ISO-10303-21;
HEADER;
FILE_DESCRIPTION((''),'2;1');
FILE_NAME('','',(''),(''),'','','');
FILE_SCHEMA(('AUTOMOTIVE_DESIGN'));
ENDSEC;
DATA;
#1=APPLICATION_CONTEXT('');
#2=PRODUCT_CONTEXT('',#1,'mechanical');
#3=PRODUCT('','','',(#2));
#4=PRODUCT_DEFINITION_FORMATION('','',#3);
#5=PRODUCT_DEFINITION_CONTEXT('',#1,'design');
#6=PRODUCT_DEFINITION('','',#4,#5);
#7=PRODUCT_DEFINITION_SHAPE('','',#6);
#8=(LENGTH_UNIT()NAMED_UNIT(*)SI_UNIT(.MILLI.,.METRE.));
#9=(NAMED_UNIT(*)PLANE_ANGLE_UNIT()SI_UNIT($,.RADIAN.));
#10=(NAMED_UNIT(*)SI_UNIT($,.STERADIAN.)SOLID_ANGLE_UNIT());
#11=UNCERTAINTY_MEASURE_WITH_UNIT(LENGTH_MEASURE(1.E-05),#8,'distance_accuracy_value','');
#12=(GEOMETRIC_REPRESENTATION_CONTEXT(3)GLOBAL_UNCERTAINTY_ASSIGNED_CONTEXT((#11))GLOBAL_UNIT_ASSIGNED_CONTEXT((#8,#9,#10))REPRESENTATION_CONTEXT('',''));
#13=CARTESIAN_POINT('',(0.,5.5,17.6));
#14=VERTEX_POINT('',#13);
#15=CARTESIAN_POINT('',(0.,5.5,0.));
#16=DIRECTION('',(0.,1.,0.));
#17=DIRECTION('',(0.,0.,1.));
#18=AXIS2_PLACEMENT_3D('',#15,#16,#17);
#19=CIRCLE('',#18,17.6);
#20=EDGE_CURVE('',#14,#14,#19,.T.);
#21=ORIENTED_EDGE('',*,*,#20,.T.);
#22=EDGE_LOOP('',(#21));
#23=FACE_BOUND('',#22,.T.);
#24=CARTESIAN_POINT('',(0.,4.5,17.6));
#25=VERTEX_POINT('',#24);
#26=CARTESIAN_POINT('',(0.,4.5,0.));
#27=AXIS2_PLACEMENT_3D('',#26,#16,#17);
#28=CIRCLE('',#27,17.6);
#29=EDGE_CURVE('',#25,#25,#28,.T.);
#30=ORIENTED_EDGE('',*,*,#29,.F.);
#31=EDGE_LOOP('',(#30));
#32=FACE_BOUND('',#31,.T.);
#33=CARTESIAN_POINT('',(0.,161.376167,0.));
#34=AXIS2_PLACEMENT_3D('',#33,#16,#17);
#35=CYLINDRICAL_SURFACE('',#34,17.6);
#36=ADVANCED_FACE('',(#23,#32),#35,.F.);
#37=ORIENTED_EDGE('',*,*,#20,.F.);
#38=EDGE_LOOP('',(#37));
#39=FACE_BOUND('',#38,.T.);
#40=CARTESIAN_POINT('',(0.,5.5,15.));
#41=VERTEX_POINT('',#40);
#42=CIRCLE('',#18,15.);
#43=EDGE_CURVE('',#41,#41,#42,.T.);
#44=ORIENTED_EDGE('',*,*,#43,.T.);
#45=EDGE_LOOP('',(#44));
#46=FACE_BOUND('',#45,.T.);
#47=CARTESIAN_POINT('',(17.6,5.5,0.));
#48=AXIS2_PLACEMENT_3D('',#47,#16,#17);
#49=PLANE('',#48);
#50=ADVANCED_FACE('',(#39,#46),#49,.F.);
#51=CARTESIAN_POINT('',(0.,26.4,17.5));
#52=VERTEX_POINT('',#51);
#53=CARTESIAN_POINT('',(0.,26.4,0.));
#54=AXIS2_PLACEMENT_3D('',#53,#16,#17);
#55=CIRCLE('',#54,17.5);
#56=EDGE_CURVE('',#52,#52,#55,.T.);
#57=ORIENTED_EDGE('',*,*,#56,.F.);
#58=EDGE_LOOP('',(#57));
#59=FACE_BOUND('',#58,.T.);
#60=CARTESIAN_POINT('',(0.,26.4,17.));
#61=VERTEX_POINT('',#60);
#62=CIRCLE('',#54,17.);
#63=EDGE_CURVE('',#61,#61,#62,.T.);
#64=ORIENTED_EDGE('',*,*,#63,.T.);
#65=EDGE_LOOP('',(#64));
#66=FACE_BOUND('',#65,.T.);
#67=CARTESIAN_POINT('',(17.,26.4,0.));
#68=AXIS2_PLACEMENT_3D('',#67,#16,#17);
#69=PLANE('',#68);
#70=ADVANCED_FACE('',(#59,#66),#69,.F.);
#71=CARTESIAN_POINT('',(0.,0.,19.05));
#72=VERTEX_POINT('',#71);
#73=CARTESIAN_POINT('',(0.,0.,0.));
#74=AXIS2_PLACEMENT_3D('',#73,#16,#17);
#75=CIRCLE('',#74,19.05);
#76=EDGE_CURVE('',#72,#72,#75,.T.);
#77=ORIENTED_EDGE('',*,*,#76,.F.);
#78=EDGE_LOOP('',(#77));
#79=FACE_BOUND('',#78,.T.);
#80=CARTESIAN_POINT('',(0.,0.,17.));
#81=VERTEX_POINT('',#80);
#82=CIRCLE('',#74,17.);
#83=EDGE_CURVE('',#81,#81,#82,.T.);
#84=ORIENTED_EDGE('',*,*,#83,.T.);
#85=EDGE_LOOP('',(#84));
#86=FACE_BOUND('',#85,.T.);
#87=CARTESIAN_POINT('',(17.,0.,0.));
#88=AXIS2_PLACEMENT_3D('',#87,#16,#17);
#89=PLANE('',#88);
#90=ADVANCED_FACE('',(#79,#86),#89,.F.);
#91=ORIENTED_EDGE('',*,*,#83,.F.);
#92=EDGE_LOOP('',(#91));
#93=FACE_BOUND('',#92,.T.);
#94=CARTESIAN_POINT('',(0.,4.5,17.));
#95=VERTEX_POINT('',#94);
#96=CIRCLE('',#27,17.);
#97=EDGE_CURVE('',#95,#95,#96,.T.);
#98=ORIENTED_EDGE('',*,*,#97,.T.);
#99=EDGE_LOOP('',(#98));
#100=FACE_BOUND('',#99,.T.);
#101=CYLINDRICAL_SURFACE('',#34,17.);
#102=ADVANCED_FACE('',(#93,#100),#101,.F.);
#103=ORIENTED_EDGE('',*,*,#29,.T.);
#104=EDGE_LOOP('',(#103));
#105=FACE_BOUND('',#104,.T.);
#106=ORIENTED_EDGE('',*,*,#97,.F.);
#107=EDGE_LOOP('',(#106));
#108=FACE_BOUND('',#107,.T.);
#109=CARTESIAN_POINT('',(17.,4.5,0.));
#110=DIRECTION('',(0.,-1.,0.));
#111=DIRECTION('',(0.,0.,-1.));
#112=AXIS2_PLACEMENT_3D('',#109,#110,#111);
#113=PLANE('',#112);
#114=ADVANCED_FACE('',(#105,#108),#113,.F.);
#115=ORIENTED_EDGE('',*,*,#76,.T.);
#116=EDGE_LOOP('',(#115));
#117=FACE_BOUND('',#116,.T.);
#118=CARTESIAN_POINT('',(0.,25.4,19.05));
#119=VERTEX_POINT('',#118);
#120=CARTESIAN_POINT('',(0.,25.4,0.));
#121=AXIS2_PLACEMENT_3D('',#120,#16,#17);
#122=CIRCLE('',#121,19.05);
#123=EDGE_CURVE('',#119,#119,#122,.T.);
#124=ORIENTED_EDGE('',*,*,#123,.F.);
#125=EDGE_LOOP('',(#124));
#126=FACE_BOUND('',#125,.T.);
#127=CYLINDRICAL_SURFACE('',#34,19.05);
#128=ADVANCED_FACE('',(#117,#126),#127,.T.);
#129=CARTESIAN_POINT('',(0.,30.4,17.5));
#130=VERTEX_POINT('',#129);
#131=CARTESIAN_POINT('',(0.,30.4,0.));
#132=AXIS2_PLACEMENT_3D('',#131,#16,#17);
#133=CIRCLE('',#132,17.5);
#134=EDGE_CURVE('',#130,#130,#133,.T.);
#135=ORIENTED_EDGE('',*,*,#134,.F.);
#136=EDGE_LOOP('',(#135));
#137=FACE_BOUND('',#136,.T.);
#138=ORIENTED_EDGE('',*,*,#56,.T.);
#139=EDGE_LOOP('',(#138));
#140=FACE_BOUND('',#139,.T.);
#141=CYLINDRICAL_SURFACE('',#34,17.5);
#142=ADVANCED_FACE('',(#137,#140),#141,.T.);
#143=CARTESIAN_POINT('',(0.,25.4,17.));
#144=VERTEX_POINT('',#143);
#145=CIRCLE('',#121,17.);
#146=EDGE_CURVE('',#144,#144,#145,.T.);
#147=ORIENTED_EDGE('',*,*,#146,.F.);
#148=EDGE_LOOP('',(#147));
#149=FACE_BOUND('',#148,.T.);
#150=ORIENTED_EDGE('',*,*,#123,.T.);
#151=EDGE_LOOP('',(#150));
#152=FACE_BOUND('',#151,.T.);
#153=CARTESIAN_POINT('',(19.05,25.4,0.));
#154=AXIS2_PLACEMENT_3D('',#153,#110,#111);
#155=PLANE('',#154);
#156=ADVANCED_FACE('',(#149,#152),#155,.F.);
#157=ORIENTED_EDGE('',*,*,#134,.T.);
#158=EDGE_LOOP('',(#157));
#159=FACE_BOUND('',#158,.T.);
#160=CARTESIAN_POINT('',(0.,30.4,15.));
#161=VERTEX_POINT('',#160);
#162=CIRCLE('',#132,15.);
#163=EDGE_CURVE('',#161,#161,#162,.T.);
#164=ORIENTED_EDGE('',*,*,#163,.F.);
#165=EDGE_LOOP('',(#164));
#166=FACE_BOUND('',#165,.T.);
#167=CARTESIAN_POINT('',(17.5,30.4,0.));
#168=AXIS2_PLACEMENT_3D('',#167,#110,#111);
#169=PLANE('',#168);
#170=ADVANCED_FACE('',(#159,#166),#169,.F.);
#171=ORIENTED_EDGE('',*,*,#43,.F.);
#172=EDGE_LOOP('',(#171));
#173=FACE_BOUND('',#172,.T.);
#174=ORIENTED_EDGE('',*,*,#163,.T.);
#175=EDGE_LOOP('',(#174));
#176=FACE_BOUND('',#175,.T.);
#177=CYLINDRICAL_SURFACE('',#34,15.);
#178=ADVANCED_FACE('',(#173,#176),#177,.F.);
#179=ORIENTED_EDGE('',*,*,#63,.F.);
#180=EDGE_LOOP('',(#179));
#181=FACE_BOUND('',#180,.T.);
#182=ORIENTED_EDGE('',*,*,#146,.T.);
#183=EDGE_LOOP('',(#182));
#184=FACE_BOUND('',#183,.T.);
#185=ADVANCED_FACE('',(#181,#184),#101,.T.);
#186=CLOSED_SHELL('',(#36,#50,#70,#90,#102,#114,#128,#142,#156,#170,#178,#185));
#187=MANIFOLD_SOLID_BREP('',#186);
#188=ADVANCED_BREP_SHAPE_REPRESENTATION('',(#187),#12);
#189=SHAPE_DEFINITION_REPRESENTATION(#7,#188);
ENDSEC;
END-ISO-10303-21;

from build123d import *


with BuildPart() as part:
    # 草图1 → 旋转1 (revolve)
    with BuildSketch(Plane.XY, mode=Mode.PRIVATE) as revolve_1_sk:
        Polygon((19.05, 0), (19.05, 25.4), (17, 25.4), (17, 26.4), (17.5, 26.4), (17.5, 30.4), (15, 30.4), (15, 5.5), (17.6, 5.5), (17.6, 4.5), (17, 4.5), (17, 0), align=None)
    revolve(revolve_1_sk.sketch.rotate(Axis((0, 161.376166943, 0), (0, -1, 0)), 90), axis=Axis((0, 161.376166943, 0), (0, -1, 0)))  # turned: the seam where the file's is


solid = part.part
